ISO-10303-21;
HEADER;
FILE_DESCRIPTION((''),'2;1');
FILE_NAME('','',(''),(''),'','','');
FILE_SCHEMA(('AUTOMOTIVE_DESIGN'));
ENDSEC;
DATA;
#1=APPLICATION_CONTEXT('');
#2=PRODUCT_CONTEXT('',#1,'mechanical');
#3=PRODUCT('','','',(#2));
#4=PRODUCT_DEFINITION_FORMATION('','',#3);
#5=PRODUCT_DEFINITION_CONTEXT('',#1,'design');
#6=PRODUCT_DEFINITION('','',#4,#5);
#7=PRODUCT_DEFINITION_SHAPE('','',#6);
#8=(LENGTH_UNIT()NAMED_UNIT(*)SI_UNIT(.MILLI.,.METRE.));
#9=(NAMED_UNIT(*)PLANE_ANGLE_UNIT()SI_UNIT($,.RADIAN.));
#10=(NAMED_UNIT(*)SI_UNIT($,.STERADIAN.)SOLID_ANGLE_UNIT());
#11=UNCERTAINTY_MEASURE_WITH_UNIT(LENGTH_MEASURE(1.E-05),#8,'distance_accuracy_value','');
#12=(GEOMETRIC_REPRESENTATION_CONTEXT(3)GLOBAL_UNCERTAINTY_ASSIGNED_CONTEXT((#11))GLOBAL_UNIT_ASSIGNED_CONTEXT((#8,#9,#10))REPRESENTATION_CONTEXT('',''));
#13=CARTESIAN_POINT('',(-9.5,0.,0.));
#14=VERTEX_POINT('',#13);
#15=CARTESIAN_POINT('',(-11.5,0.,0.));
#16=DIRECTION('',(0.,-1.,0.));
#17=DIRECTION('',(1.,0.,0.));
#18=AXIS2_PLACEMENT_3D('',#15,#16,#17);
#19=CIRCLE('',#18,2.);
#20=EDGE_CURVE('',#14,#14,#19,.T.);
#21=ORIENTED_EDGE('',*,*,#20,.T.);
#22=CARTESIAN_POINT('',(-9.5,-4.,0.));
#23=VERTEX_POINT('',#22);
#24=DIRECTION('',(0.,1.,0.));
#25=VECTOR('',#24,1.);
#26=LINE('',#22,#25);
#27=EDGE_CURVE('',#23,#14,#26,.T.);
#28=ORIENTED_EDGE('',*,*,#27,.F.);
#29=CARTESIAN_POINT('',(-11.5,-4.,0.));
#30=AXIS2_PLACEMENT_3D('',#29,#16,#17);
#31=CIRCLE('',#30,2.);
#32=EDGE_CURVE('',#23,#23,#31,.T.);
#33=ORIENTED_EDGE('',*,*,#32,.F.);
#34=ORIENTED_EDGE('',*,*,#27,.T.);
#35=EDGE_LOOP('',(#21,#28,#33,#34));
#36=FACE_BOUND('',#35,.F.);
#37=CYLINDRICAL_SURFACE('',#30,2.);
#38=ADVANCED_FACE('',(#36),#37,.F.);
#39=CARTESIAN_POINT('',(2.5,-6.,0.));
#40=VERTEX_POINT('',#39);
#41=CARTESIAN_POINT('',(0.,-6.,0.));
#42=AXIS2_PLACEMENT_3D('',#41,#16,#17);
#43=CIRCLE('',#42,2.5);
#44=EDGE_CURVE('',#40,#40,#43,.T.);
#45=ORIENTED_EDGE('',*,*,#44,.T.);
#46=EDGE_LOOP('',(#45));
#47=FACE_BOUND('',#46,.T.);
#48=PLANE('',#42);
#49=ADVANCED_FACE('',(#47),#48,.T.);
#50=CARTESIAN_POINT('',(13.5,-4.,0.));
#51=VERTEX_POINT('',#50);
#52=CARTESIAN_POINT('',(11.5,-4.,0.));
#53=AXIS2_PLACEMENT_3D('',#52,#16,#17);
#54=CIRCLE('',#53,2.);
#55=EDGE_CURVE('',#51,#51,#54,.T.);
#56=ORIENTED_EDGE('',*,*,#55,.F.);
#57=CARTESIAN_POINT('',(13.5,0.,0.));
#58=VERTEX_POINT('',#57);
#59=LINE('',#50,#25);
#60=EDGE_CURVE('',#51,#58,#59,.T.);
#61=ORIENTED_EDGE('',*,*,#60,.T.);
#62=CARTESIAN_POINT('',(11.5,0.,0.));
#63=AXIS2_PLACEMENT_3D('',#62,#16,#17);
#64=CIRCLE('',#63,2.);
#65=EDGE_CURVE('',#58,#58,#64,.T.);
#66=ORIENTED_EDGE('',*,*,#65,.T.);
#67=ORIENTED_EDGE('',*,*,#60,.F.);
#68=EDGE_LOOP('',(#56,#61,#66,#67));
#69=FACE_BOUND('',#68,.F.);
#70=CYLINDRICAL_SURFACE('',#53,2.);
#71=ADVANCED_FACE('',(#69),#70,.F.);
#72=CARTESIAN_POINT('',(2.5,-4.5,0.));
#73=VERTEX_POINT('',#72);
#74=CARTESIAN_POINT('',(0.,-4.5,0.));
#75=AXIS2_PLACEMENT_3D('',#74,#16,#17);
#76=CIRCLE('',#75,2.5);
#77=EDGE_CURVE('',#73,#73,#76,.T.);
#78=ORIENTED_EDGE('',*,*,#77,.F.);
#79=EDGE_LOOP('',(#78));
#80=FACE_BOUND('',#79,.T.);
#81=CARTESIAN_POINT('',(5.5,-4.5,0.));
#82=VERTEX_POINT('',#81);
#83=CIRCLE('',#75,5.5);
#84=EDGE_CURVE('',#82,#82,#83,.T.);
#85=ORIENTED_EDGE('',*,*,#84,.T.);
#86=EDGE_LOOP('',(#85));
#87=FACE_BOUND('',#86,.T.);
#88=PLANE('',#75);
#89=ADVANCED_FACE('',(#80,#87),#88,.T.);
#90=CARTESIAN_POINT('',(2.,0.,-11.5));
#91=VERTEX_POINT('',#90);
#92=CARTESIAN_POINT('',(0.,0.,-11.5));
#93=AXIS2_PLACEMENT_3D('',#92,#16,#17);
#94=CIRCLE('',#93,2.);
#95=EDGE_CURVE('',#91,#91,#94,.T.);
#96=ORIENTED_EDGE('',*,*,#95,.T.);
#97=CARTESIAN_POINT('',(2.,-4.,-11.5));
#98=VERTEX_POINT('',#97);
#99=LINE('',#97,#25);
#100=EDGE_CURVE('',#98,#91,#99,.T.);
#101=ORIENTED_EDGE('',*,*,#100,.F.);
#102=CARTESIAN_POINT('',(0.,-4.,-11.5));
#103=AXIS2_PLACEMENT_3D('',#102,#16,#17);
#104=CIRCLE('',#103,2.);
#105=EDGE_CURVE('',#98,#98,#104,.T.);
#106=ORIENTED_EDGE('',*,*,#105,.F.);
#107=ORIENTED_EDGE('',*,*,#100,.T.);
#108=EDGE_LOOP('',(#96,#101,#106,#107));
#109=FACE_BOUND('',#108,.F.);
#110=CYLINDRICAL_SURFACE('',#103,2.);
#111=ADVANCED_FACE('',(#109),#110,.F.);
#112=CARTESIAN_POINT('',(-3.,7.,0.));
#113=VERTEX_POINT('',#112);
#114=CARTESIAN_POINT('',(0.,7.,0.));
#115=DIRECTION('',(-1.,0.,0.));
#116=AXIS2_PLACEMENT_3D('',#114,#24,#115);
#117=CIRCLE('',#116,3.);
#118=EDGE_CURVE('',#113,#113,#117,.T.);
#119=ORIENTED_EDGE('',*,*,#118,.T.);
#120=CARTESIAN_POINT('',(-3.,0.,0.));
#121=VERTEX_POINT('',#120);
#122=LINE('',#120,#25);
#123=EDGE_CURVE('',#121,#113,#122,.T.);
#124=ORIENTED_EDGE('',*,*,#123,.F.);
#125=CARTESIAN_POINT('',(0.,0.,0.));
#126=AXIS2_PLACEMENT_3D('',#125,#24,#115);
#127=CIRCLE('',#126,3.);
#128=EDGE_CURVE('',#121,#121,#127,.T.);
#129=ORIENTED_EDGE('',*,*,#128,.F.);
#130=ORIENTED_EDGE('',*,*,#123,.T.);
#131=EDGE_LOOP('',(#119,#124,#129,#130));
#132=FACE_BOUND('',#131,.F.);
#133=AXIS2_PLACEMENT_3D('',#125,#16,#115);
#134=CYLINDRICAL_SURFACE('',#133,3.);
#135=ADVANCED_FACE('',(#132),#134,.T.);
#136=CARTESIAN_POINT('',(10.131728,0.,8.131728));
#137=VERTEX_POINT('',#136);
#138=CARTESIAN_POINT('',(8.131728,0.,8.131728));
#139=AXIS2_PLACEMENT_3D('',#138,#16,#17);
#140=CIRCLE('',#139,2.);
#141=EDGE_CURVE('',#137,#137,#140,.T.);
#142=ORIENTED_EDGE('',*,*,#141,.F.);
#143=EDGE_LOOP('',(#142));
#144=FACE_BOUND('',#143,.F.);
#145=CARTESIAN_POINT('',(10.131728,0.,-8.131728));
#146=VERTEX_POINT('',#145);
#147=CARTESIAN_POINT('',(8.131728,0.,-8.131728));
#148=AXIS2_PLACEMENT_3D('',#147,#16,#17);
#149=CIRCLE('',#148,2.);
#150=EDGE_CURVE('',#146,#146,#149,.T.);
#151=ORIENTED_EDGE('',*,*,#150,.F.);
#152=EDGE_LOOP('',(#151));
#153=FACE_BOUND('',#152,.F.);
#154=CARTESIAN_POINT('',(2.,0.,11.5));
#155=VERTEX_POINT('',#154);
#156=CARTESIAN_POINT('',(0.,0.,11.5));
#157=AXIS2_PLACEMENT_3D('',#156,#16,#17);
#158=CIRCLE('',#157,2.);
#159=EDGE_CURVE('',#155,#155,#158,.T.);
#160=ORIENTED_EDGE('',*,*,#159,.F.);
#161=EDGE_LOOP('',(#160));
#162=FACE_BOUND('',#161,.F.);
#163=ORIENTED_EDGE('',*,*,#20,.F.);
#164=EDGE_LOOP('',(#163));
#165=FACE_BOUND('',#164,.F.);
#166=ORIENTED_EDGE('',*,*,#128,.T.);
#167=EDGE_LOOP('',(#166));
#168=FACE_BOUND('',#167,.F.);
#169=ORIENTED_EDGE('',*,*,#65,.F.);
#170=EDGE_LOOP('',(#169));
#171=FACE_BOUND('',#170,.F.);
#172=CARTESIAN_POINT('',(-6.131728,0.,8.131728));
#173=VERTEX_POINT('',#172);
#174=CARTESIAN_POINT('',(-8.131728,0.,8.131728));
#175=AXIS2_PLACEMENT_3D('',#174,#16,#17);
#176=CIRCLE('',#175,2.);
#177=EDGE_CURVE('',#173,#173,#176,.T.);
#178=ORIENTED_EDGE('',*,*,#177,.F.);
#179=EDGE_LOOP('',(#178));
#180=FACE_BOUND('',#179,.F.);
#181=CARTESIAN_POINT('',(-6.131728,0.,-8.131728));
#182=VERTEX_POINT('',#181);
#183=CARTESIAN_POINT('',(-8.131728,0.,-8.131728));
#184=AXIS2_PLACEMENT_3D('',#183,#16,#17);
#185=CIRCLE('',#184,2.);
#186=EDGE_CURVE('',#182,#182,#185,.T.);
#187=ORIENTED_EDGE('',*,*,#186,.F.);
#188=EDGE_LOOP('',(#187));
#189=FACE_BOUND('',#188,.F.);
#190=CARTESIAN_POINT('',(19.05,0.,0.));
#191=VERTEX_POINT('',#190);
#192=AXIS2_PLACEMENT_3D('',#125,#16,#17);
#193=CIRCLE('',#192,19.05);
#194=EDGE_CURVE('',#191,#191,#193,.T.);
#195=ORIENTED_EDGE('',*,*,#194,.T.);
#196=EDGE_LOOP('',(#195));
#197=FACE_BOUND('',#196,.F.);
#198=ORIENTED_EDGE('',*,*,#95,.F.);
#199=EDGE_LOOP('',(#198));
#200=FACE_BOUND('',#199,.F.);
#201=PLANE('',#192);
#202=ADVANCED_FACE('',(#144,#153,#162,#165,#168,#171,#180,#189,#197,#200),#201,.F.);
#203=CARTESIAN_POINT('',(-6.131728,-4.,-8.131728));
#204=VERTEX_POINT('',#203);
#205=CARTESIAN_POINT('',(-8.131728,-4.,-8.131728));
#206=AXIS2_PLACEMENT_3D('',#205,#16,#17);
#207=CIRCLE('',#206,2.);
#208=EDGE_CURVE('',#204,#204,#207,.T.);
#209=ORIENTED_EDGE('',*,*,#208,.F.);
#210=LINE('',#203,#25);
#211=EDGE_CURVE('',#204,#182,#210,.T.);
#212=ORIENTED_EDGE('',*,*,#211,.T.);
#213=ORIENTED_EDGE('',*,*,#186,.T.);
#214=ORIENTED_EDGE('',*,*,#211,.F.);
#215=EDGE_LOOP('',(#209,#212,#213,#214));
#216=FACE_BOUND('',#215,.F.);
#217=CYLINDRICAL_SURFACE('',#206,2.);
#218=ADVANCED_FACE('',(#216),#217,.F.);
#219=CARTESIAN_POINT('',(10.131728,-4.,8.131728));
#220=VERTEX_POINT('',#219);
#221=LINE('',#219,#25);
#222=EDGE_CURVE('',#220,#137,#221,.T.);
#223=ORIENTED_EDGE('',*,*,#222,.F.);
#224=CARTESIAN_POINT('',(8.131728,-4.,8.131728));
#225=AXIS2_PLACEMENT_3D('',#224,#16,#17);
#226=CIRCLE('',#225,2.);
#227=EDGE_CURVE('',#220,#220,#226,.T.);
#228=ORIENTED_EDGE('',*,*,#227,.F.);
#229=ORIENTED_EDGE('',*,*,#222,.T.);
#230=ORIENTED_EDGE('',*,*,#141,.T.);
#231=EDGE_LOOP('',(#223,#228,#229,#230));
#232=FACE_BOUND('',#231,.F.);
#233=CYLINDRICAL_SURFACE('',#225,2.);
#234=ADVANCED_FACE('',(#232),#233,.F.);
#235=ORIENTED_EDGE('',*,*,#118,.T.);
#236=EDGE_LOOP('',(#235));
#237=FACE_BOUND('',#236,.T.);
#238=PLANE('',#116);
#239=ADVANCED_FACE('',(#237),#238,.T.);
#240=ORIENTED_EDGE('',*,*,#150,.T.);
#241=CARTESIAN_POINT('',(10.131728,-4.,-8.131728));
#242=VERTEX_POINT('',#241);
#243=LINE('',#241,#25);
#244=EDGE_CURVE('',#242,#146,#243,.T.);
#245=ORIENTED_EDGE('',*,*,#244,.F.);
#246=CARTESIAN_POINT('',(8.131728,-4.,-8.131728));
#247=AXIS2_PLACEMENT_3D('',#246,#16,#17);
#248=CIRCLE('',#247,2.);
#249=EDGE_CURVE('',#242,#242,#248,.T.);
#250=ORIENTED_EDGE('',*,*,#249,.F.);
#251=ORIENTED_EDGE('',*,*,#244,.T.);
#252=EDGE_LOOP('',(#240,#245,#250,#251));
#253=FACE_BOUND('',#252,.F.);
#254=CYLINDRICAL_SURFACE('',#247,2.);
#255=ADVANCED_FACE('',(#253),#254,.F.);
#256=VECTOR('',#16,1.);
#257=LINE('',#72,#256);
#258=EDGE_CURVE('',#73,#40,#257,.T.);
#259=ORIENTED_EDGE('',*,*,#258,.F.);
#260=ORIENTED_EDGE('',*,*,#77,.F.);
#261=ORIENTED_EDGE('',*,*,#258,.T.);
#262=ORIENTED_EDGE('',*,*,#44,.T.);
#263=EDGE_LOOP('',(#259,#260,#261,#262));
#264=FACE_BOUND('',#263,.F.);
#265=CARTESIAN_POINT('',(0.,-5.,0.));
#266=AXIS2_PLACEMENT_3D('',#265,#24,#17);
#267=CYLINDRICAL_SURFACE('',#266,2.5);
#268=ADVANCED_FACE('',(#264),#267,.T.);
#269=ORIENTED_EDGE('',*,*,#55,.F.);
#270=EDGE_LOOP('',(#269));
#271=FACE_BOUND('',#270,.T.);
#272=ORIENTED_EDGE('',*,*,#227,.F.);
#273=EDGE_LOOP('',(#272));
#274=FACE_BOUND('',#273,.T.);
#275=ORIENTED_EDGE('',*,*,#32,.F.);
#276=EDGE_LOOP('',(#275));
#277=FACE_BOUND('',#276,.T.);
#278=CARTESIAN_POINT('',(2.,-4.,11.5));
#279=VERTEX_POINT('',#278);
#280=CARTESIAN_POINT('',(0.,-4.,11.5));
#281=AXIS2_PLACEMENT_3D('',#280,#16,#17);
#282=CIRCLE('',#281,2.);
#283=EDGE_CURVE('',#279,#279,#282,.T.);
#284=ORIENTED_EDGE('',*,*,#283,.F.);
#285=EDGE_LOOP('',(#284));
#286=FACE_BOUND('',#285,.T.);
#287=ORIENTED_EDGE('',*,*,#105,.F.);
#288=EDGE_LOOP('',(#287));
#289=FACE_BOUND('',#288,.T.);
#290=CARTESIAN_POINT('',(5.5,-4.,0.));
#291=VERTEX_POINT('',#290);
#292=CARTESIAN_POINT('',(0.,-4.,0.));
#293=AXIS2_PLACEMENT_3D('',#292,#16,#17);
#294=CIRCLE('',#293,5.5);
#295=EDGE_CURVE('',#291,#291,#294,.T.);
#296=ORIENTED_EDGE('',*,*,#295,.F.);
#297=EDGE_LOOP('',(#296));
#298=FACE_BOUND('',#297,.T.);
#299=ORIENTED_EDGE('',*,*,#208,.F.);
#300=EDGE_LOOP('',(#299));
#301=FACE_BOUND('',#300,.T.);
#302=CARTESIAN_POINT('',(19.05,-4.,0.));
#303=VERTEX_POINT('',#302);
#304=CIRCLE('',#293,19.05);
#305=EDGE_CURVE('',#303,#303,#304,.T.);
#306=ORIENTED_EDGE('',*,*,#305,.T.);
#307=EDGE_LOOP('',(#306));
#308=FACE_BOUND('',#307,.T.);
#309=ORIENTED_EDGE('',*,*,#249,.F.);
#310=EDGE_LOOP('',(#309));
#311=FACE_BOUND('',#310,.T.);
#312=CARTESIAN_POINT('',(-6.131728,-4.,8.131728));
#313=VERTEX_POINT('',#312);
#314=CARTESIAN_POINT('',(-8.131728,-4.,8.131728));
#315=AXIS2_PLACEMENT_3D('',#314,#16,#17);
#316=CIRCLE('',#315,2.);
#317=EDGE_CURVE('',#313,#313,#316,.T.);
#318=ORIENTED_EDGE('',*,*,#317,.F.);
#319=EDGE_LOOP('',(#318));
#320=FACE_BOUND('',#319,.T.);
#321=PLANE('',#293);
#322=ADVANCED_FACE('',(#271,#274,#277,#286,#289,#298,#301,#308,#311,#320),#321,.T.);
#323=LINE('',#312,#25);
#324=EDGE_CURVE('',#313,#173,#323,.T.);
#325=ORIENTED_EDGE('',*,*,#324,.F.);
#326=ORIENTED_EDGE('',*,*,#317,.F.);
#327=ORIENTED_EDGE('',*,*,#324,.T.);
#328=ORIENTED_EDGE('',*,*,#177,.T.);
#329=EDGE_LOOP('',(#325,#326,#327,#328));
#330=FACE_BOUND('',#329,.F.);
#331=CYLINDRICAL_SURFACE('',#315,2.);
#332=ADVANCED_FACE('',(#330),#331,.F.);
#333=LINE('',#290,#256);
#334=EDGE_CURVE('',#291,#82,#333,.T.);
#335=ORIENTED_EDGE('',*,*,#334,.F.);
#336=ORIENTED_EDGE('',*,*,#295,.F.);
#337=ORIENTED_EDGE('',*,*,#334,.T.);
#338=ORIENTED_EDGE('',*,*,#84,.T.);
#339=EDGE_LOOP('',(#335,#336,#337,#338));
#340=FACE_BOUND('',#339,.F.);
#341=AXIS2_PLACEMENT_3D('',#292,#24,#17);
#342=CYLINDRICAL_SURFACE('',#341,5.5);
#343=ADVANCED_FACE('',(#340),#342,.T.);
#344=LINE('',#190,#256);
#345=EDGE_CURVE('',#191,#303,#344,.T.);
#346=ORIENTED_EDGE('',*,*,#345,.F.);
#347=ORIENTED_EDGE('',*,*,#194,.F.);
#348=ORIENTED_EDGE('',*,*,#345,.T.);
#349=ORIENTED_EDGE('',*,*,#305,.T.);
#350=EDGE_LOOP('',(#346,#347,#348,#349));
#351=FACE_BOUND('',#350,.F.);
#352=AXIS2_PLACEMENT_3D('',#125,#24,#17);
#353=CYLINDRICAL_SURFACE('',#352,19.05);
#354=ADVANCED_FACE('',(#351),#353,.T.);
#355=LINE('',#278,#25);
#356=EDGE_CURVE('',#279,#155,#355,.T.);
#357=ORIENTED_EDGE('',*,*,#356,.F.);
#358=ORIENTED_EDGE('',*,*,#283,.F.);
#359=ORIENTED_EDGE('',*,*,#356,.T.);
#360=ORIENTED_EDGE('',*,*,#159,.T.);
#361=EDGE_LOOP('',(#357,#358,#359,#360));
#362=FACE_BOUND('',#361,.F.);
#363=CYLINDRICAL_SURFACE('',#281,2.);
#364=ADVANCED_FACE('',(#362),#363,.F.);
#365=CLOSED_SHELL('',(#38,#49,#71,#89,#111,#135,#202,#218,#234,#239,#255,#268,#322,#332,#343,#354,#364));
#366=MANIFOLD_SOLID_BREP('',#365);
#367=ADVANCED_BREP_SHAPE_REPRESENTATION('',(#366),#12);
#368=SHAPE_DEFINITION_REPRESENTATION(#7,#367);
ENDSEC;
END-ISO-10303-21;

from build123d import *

# Parameters (mm, degrees)
F0_R     = 19.05
F1_DEPTH = 4
F2_R     = 5.5
F2_R_2   = 2.5
F3_DEPTH = 0.5
F4_DEPTH = 1
F5_DEPTH = 1
F6_R     = 3
F7_DEPTH = 7
F8_R     = 2
F9_DEPTH = 25


with BuildPart() as f1:
    # F0 (on Front) → F1 (new body)
    with BuildSketch(Plane.XZ):
        Circle(F0_R)
    extrude(amount=F1_DEPTH)

    # F2 (on face) → F3 (join)
    with BuildSketch(Plane.XZ.offset(4)):
        Circle(F2_R)
        Circle(F2_R_2, mode=Mode.SUBTRACT)
    extrude(amount=F3_DEPTH)

    # F4 (add): a face of the model
    f4_faces = [f1.faces().sort_by_distance(p)[0] for p in [
        (0, -4, 0),
    ]]
    extrude(f4_faces, amount=F4_DEPTH)

    # F5 (add): a face of the model
    f5_faces = [f1.faces().sort_by_distance(p)[0] for p in [
        (0, -5, 0),
    ]]
    extrude(f5_faces, amount=F5_DEPTH)

    # F6 (on face) → F7 (join)
    with BuildSketch(Plane(origin=(0, 0, 0), x_dir=(-1, 0, 0), z_dir=(0, 1, 0))):
        Circle(F6_R)
    extrude(amount=F7_DEPTH)

    # F8 (on face) → F9 (cut)
    with BuildSketch(Plane.XZ.offset(4)):
        with Locations((0, 11.5)):
            Circle(F8_R)
        with Locations((-8.1317279836, 8.1317279836)):
            Circle(F8_R)
        with Locations((-11.5, 0)):
            Circle(F8_R)
        with Locations((-8.1317279836, -8.1317279836)):
            Circle(F8_R)
        with Locations((0, -11.5)):
            Circle(F8_R)
        with Locations((8.1317279836, -8.1317279836)):
            Circle(F8_R)
        with Locations((11.5, 0)):
            Circle(F8_R)
        with Locations((8.1317279836, 8.1317279836)):
            Circle(F8_R)
    extrude(amount=-F9_DEPTH, mode=Mode.SUBTRACT)


solid = f1.part
